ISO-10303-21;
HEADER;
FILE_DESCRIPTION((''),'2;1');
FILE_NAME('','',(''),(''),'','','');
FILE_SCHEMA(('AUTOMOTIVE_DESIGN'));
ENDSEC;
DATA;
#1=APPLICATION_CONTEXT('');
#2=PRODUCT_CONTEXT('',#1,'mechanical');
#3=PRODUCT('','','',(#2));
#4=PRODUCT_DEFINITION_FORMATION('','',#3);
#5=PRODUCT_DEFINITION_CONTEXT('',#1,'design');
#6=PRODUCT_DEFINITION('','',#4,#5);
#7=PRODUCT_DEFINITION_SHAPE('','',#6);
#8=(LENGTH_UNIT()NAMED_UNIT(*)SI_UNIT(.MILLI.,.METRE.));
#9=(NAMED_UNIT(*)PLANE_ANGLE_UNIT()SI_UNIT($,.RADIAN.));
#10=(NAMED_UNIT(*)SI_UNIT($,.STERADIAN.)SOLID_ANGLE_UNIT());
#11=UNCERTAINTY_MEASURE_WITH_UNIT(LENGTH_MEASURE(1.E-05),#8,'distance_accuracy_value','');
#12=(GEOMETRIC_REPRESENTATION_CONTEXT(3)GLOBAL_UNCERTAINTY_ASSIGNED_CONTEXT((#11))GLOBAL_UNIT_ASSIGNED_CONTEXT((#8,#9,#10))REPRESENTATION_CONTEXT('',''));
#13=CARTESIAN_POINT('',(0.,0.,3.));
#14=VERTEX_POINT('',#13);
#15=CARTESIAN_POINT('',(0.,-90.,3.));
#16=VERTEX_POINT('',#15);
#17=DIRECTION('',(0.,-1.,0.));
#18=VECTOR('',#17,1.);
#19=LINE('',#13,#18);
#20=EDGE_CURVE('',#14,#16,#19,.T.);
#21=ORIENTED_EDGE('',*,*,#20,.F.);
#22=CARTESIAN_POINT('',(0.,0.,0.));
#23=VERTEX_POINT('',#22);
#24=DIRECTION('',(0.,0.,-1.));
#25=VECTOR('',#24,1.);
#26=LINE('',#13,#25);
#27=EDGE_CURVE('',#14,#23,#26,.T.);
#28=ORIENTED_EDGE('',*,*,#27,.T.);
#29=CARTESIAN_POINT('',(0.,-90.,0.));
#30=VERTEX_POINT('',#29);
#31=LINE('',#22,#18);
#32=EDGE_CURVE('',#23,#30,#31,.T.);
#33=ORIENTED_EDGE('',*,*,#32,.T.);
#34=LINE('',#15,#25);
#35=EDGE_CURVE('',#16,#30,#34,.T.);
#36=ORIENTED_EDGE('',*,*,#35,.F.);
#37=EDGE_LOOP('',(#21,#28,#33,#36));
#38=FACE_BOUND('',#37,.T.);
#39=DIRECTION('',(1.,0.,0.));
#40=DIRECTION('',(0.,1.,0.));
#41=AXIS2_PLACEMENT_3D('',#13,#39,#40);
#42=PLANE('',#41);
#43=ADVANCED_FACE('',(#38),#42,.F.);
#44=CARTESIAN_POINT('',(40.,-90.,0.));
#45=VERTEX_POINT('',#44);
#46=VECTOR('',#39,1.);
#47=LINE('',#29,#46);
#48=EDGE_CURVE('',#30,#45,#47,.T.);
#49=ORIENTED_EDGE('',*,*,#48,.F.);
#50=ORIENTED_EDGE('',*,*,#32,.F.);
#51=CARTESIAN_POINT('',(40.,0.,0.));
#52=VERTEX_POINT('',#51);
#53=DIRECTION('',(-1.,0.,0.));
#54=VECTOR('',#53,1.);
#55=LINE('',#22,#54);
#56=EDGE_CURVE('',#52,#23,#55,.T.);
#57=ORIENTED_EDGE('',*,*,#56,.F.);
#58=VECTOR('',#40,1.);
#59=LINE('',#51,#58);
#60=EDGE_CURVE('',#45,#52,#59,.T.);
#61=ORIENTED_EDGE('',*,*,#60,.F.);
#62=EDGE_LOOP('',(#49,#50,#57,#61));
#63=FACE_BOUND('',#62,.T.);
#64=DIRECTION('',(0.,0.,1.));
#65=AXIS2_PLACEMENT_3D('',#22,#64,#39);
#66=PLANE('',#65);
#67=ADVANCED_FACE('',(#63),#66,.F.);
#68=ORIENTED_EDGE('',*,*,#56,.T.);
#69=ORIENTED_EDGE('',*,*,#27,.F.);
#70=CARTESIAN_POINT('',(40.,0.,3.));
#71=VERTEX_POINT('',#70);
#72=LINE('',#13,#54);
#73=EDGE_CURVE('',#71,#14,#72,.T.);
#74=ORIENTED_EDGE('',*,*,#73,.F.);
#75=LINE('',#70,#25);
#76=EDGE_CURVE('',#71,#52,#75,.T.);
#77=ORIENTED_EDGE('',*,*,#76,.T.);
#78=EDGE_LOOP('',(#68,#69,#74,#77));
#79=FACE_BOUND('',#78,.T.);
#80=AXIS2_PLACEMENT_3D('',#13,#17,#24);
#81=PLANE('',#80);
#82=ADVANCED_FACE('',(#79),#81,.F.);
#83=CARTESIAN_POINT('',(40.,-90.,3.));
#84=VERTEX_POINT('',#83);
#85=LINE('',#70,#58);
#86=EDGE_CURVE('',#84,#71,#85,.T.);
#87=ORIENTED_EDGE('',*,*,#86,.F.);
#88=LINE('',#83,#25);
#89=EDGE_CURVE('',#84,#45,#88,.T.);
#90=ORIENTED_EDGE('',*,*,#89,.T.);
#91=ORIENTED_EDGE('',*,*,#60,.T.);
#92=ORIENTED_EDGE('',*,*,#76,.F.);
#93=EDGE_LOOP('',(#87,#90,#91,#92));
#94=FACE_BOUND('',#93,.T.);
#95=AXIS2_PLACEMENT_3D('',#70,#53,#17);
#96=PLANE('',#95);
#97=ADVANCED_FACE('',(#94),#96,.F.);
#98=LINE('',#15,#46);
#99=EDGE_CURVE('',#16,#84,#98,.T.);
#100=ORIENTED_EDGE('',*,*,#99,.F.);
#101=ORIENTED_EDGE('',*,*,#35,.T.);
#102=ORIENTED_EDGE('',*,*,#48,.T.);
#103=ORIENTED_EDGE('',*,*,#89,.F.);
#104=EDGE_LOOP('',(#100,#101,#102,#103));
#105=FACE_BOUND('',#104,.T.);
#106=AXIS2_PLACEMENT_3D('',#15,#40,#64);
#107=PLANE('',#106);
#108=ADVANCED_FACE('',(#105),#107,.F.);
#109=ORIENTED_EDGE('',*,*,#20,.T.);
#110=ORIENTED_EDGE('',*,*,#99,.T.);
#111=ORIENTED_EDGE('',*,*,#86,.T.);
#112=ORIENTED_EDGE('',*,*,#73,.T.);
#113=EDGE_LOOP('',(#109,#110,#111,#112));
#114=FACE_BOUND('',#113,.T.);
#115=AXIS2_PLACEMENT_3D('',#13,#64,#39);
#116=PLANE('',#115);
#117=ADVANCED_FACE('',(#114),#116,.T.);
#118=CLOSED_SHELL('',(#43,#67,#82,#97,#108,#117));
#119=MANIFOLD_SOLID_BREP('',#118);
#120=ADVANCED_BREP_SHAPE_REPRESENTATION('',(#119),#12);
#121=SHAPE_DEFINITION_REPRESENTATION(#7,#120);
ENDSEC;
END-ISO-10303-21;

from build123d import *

# Parameters (mm, degrees)
ESQUISSE1_W        = 40
ESQUISSE1_H        = 90
BOSS_EXTRU_1_DEPTH = 3


with BuildPart() as part:
    # Esquisse1 → Boss.-Extru.1 (new body)
    with BuildSketch(Plane.XY):
        with Locations((20, -45)):
            Rectangle(ESQUISSE1_W, ESQUISSE1_H)
    extrude(amount=BOSS_EXTRU_1_DEPTH)


solid = part.part
